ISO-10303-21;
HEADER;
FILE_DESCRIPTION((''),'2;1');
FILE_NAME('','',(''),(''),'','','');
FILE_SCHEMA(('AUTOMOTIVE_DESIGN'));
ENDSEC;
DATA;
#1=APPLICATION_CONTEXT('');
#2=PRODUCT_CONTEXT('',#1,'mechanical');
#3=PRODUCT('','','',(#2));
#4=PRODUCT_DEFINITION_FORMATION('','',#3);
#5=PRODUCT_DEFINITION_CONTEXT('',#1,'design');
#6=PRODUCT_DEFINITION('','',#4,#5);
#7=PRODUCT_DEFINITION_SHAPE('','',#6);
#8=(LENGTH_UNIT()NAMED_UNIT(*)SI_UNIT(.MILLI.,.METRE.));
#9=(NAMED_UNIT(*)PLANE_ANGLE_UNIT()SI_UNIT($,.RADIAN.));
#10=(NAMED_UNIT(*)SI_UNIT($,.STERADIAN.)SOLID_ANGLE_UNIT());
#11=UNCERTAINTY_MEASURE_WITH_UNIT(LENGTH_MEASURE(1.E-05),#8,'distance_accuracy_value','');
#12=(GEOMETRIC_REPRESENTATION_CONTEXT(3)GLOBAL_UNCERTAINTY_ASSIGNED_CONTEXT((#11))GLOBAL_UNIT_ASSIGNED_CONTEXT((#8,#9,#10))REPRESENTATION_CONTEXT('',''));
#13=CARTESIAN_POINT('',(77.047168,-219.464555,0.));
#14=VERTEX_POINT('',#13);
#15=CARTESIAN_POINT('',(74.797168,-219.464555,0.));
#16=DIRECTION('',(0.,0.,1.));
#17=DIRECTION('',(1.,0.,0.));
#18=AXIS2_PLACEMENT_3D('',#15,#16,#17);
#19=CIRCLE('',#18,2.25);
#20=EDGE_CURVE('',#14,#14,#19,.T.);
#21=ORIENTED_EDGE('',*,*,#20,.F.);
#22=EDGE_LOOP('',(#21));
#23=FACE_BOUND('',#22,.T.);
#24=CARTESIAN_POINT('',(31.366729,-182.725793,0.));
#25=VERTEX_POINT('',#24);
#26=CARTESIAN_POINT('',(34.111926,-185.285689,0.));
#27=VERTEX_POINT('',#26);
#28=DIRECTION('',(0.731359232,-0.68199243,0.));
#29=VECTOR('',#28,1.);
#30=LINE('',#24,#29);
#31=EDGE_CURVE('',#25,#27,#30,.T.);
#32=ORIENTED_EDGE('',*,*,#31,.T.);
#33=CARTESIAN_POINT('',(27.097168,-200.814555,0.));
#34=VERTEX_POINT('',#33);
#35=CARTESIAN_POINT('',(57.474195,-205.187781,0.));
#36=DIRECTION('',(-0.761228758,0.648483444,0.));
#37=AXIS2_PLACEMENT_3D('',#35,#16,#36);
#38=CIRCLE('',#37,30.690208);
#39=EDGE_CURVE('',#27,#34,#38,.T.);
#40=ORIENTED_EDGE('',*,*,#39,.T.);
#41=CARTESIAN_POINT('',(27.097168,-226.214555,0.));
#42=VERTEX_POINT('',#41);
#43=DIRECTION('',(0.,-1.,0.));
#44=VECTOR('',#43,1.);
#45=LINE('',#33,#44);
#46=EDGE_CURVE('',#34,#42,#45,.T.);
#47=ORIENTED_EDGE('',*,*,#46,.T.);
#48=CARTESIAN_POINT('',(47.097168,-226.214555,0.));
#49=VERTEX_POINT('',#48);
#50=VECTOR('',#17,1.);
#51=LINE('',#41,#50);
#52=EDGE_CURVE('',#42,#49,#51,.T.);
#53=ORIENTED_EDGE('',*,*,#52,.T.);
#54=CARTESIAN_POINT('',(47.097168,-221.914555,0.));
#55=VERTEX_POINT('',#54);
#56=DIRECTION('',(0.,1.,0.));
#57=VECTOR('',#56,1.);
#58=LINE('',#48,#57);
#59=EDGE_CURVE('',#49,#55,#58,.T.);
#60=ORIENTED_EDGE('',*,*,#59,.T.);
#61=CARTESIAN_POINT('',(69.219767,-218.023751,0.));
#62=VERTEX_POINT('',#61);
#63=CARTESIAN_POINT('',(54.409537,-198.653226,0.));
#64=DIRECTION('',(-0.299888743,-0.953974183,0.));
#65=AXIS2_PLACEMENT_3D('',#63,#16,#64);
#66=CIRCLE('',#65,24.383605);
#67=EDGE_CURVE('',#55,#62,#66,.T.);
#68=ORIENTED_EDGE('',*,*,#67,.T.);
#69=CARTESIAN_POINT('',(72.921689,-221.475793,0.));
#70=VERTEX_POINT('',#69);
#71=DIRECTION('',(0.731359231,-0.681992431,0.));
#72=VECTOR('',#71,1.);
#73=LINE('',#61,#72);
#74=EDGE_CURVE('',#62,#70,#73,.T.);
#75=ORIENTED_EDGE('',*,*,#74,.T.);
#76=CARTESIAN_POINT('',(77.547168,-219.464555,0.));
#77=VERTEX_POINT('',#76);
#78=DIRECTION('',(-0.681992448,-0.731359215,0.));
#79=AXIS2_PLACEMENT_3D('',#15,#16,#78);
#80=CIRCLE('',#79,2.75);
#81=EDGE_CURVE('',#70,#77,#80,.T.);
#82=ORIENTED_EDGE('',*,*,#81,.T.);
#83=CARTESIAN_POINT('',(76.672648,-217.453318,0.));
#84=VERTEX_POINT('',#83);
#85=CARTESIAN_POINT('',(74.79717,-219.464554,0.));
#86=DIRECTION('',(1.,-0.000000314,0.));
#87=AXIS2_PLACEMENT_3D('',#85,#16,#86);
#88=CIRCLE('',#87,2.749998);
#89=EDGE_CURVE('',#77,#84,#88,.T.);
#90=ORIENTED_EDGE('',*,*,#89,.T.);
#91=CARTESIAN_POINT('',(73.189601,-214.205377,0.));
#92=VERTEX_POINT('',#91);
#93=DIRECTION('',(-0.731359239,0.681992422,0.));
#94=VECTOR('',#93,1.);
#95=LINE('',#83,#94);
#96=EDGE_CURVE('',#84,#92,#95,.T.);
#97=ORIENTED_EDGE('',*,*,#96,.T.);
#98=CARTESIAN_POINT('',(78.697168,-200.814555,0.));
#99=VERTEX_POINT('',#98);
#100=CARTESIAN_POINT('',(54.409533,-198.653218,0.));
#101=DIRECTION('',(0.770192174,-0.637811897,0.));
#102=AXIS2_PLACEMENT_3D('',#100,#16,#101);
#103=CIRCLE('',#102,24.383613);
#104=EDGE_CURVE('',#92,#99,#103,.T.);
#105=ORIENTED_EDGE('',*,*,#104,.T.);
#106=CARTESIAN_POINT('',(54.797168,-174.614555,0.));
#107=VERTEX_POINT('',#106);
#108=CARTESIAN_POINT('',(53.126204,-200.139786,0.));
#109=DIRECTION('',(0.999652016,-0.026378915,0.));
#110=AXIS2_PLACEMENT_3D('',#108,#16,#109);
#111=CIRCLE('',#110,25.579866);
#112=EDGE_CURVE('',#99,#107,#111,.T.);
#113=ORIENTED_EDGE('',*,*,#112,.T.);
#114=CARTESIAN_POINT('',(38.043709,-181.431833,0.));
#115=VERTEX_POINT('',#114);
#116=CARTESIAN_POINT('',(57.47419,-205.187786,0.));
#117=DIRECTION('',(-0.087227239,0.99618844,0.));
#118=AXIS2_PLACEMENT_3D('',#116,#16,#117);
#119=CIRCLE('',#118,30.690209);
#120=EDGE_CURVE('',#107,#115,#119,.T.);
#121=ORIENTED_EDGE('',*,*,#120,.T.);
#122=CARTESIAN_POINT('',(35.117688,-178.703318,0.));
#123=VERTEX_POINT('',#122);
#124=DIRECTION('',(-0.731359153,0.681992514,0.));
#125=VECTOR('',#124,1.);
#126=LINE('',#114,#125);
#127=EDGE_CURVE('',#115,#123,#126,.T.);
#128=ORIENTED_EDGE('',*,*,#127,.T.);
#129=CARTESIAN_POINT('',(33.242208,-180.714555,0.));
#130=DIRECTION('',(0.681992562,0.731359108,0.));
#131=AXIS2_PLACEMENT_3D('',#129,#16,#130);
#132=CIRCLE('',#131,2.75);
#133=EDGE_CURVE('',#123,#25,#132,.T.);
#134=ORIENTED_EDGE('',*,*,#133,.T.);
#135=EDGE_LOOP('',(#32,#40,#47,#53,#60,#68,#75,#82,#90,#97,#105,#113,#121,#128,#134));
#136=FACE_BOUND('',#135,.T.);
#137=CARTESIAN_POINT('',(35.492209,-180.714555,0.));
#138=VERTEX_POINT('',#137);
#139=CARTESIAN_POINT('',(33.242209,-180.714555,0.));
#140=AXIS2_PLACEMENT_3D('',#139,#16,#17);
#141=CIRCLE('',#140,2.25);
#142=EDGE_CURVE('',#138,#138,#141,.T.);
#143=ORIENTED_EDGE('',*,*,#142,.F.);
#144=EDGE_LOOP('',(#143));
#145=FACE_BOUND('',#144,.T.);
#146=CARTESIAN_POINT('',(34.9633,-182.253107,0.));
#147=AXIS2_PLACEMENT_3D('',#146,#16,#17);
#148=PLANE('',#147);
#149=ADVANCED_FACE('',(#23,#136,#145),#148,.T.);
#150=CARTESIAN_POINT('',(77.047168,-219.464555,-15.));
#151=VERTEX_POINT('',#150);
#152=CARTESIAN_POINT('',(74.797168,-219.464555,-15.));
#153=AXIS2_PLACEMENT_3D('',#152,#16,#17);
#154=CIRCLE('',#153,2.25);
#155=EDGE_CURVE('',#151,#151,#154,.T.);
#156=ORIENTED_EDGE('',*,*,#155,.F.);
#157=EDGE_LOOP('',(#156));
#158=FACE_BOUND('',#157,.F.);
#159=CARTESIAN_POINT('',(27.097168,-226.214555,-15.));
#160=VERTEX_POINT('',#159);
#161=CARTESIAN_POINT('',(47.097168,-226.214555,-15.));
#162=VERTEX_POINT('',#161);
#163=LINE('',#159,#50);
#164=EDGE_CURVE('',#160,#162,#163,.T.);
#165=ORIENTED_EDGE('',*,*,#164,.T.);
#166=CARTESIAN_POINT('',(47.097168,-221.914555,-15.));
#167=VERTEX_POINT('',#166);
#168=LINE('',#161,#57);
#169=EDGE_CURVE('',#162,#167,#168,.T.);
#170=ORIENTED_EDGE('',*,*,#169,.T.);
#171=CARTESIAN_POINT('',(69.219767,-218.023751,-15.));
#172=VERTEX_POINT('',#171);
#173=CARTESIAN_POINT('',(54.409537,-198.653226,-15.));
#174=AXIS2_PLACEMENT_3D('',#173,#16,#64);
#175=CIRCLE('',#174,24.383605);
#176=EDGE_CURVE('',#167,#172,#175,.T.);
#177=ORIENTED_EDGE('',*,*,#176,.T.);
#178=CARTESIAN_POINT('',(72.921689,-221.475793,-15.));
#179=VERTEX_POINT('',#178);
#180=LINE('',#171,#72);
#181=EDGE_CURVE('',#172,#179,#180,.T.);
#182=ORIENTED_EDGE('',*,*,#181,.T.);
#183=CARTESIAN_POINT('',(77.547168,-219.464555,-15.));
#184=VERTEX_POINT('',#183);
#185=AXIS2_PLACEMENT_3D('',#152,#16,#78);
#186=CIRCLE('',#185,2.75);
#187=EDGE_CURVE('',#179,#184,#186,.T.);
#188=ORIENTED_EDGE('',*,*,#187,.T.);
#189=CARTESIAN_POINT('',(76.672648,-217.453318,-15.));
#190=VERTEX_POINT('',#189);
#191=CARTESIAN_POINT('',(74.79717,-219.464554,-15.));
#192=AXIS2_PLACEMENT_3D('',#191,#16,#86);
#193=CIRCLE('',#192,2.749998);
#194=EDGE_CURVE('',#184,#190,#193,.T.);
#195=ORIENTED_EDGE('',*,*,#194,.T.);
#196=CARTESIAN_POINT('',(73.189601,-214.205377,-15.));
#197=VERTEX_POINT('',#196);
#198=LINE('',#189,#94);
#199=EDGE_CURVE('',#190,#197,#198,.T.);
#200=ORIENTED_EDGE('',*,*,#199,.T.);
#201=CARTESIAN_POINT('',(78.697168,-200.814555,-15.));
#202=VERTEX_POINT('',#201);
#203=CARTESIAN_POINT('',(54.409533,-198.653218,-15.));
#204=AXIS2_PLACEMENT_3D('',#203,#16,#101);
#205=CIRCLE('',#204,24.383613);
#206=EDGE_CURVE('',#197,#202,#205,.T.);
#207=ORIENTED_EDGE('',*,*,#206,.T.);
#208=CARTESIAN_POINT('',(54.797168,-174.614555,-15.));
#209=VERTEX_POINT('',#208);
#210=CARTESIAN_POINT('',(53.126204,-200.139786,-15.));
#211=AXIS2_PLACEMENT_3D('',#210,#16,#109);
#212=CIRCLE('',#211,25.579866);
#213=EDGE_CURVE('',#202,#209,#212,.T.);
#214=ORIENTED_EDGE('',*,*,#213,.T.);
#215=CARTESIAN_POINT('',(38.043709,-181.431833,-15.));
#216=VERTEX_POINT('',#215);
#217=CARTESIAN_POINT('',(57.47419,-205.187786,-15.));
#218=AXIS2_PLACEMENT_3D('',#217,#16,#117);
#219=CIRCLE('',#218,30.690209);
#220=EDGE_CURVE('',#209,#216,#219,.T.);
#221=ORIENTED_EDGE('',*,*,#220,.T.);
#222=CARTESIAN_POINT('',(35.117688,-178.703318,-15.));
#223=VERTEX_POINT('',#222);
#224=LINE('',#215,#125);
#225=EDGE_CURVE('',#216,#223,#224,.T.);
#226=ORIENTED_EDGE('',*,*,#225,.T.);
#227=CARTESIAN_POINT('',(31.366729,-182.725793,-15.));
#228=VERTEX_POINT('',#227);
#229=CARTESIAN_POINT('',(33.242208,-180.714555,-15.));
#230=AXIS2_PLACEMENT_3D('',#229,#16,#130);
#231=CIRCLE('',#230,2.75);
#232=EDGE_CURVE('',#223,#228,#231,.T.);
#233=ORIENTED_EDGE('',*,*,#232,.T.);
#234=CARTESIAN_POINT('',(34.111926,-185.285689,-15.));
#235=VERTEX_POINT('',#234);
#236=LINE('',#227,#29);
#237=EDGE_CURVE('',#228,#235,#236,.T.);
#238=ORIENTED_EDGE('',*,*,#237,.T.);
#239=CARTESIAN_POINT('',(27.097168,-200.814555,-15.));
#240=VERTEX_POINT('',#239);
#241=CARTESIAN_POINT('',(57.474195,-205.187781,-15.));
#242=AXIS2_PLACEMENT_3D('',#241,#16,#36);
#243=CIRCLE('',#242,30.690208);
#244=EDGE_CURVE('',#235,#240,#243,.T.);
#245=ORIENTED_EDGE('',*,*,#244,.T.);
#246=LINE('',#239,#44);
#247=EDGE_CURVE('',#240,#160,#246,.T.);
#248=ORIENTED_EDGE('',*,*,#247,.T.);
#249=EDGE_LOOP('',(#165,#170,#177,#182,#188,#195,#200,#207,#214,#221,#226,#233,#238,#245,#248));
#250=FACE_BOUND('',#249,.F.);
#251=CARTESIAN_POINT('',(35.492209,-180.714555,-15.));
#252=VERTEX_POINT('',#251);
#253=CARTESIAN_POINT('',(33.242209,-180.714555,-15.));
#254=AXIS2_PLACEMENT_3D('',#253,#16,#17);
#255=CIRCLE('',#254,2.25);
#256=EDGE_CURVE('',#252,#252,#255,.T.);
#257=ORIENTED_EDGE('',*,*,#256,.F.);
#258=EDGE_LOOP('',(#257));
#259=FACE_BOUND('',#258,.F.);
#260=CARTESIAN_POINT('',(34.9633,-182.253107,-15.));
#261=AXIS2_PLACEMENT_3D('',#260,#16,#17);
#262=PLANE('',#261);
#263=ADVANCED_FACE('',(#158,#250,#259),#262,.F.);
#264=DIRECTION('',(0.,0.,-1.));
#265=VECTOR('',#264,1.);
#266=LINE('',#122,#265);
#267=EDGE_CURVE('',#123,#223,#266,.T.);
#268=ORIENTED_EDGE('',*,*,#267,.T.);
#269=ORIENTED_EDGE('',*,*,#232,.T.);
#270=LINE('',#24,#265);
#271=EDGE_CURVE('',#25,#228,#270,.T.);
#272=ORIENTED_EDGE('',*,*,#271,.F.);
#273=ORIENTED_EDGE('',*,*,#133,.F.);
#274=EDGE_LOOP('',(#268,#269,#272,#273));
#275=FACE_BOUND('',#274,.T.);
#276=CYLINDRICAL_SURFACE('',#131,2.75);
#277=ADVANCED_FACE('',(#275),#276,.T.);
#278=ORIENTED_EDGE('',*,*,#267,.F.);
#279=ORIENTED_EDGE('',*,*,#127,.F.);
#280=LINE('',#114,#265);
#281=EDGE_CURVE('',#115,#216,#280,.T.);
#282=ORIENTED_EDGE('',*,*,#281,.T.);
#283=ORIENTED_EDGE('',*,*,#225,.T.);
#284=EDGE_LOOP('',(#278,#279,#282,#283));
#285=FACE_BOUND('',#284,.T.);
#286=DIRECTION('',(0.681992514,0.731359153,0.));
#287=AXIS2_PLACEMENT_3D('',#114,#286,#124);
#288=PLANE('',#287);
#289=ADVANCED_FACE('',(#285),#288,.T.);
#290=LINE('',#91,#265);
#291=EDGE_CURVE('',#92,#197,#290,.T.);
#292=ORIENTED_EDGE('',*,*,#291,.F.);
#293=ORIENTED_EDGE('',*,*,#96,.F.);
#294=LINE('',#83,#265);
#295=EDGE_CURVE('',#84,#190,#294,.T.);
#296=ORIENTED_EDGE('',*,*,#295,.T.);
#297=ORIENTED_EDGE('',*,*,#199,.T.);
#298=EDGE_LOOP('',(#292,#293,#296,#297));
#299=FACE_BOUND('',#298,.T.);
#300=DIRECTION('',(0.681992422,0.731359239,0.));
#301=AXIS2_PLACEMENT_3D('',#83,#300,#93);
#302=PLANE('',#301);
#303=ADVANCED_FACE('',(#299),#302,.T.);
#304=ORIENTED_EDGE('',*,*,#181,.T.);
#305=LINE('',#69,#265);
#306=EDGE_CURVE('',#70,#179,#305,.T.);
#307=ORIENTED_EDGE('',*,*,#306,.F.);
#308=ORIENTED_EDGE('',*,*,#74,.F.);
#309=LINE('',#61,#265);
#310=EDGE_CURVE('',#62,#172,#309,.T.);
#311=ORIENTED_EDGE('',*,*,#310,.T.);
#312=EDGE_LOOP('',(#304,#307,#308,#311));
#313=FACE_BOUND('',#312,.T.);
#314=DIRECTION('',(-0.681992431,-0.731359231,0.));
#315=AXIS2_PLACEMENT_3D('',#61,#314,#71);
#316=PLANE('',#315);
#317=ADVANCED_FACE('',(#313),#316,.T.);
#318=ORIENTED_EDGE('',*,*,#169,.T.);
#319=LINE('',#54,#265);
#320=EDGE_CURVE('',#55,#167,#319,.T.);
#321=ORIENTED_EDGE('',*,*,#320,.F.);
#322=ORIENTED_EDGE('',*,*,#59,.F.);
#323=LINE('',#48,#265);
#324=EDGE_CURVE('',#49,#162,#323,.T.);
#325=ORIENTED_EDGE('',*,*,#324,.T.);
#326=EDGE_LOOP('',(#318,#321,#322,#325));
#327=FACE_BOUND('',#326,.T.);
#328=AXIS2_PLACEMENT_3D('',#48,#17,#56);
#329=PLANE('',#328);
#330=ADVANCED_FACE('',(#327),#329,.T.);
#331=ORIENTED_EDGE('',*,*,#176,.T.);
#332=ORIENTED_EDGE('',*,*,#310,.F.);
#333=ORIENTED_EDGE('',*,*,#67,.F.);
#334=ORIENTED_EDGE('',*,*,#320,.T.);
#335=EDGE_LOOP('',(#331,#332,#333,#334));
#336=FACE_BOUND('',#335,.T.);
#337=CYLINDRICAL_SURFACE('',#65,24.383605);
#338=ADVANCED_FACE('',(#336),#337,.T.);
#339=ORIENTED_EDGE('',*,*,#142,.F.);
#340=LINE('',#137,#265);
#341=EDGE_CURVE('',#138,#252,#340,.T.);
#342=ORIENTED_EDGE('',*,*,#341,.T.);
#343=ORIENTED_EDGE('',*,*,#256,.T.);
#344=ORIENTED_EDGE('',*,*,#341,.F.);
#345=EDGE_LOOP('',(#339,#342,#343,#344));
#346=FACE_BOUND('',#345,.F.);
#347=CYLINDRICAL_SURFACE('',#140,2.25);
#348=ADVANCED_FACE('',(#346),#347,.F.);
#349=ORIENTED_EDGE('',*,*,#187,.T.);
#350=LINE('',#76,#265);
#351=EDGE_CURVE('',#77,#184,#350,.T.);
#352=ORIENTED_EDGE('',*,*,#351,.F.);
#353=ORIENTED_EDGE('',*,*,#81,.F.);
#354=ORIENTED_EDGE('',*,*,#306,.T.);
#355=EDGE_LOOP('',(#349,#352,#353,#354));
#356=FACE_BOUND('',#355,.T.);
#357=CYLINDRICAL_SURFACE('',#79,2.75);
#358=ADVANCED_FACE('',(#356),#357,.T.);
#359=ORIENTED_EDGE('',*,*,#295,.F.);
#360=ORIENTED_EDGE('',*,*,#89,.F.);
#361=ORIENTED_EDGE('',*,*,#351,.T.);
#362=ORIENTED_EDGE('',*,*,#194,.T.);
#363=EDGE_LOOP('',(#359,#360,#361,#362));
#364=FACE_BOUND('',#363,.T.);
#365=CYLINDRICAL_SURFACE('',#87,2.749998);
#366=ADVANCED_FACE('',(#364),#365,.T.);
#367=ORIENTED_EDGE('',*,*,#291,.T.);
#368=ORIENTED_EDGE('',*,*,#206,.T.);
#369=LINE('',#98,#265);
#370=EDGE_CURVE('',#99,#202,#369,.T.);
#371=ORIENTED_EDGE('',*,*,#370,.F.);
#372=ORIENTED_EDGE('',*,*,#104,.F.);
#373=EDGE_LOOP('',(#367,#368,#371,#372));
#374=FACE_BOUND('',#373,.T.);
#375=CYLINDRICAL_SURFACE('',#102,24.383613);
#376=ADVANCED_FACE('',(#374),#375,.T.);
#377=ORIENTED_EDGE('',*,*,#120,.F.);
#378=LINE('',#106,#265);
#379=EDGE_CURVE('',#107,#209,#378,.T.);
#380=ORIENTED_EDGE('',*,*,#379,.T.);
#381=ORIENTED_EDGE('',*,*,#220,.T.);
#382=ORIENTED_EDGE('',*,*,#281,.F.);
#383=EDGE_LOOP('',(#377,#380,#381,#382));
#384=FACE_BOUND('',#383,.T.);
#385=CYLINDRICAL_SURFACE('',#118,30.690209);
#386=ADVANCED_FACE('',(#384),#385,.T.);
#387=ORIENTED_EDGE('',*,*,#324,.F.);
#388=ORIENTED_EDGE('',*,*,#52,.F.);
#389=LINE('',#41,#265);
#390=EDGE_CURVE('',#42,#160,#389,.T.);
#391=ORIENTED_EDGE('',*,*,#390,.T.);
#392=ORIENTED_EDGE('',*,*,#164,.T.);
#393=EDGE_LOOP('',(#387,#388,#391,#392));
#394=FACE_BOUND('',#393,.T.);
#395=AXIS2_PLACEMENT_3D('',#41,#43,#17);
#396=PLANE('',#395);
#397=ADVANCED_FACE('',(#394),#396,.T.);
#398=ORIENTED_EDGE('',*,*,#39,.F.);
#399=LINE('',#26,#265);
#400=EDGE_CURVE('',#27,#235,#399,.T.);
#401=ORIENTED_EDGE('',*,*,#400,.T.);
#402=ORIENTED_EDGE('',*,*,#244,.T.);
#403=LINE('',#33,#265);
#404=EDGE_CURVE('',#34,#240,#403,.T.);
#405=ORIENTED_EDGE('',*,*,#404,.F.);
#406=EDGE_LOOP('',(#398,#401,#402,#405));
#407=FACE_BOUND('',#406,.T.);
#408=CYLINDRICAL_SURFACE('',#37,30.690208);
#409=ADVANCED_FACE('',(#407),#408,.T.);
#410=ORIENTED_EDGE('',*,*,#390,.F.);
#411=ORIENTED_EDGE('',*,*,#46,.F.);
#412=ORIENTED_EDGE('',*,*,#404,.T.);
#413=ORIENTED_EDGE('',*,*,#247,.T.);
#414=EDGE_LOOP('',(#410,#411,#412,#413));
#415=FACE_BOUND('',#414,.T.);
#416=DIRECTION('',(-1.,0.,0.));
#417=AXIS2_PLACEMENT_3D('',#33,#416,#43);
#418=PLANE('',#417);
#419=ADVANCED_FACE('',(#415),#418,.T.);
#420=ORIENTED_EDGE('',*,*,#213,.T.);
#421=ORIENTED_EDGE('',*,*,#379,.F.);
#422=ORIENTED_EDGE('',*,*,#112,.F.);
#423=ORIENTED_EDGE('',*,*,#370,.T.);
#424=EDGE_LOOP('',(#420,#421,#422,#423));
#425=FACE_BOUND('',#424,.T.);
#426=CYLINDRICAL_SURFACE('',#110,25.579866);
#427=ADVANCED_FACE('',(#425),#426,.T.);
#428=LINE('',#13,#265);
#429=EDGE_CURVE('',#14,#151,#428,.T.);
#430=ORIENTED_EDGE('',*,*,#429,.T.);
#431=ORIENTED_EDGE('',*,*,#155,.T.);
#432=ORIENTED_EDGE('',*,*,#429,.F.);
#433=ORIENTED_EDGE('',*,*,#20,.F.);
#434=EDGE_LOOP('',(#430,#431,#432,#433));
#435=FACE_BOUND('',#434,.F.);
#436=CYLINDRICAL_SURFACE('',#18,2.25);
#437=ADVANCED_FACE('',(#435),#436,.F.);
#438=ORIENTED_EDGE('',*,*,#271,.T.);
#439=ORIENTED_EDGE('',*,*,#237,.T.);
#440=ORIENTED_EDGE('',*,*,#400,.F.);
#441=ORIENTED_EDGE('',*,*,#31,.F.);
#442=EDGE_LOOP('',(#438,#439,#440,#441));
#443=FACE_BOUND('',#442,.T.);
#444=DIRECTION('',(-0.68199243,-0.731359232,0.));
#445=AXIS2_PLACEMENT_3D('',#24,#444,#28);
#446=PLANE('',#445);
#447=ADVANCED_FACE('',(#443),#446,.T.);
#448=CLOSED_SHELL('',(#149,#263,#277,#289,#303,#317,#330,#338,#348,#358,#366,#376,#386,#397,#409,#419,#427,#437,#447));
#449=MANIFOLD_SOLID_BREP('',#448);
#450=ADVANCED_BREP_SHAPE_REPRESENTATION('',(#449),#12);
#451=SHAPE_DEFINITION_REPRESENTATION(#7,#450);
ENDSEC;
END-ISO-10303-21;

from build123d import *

# Parameters (mm, degrees)
F0_R     = 2.25
F1_DEPTH = 15


with BuildPart() as f1:
    # F0 (on Top) → F1 (new body)
    with BuildSketch(Plane.XY):
        with BuildLine():
            Line((31.366729, -182.725793), (34.111926, -185.285689))
            ThreePointArc((34.111926, -185.285689), (35.991225, -183.270417), (38.043709, -181.431833))
            Line((38.043709, -181.431833), (35.117688, -178.703318))
            ThreePointArc((35.117688, -178.703318), (35.764119, -179.617985), (35.992209, -180.714555))
            ThreePointArc((35.992209, -180.714555), (34.338779, -183.236466), (31.366729, -182.725793))
        make_face()
        with BuildLine():
            Line((27.097168, -200.814555), (27.097168, -226.214555))
            Line((27.097168, -226.214555), (47.097168, -226.214555))
            Line((47.097168, -226.214555), (47.097168, -221.914555))
            ThreePointArc((47.097168, -221.914555), (58.633169, -222.668244), (69.219767, -218.023751))
            ThreePointArc((69.219767, -218.023751), (71.312849, -216.22702), (73.189601, -214.205377))
            ThreePointArc((73.189601, -214.205377), (76.96026, -207.928201), (78.697168, -200.814555))
            ThreePointArc((78.697168, -200.814555), (72.02437, -182.90062), (54.797168, -174.614555))
            ThreePointArc((54.797168, -174.614555), (45.906812, -176.760956), (38.043709, -181.431833))
            ThreePointArc((38.043709, -181.431833), (35.991225, -183.270417), (34.111926, -185.285689))
            ThreePointArc((34.111926, -185.285689), (29.505205, -192.553523), (27.097168, -200.814555))
        make_face()
        with BuildLine():
            ThreePointArc((35.117688, -178.703318), (31.230971, -178.839076), (31.366729, -182.725793))
            ThreePointArc((31.366729, -182.725793), (34.338779, -183.236466), (35.992209, -180.714555))
            ThreePointArc((35.992209, -180.714555), (35.764119, -179.617985), (35.117688, -178.703318))
        make_face()
        with Locations((33.242209, -180.714555)):
            Circle(F0_R, mode=Mode.SUBTRACT)
        with BuildLine():
            ThreePointArc((73.189601, -214.205377), (71.312849, -216.22702), (69.219767, -218.023751))
            Line((69.219767, -218.023751), (72.921689, -221.475793))
            ThreePointArc((72.921689, -221.475793), (72.785931, -217.589076), (76.672648, -217.453318))
            Line((76.672648, -217.453318), (73.189601, -214.205377))
        make_face()
        with BuildLine():
            ThreePointArc((76.672648, -217.453318), (72.785931, -217.589076), (72.921689, -221.475793))
            ThreePointArc((72.921689, -221.475793), (75.893738, -221.986466), (77.547168, -219.464555))
            ThreePointArc((77.547168, -219.464555), (77.319079, -218.367985), (76.672648, -217.453318))
        make_face()
        with Locations((74.797168, -219.464555)):
            Circle(F0_R, mode=Mode.SUBTRACT)
    extrude(amount=-F1_DEPTH)


solid = f1.part
